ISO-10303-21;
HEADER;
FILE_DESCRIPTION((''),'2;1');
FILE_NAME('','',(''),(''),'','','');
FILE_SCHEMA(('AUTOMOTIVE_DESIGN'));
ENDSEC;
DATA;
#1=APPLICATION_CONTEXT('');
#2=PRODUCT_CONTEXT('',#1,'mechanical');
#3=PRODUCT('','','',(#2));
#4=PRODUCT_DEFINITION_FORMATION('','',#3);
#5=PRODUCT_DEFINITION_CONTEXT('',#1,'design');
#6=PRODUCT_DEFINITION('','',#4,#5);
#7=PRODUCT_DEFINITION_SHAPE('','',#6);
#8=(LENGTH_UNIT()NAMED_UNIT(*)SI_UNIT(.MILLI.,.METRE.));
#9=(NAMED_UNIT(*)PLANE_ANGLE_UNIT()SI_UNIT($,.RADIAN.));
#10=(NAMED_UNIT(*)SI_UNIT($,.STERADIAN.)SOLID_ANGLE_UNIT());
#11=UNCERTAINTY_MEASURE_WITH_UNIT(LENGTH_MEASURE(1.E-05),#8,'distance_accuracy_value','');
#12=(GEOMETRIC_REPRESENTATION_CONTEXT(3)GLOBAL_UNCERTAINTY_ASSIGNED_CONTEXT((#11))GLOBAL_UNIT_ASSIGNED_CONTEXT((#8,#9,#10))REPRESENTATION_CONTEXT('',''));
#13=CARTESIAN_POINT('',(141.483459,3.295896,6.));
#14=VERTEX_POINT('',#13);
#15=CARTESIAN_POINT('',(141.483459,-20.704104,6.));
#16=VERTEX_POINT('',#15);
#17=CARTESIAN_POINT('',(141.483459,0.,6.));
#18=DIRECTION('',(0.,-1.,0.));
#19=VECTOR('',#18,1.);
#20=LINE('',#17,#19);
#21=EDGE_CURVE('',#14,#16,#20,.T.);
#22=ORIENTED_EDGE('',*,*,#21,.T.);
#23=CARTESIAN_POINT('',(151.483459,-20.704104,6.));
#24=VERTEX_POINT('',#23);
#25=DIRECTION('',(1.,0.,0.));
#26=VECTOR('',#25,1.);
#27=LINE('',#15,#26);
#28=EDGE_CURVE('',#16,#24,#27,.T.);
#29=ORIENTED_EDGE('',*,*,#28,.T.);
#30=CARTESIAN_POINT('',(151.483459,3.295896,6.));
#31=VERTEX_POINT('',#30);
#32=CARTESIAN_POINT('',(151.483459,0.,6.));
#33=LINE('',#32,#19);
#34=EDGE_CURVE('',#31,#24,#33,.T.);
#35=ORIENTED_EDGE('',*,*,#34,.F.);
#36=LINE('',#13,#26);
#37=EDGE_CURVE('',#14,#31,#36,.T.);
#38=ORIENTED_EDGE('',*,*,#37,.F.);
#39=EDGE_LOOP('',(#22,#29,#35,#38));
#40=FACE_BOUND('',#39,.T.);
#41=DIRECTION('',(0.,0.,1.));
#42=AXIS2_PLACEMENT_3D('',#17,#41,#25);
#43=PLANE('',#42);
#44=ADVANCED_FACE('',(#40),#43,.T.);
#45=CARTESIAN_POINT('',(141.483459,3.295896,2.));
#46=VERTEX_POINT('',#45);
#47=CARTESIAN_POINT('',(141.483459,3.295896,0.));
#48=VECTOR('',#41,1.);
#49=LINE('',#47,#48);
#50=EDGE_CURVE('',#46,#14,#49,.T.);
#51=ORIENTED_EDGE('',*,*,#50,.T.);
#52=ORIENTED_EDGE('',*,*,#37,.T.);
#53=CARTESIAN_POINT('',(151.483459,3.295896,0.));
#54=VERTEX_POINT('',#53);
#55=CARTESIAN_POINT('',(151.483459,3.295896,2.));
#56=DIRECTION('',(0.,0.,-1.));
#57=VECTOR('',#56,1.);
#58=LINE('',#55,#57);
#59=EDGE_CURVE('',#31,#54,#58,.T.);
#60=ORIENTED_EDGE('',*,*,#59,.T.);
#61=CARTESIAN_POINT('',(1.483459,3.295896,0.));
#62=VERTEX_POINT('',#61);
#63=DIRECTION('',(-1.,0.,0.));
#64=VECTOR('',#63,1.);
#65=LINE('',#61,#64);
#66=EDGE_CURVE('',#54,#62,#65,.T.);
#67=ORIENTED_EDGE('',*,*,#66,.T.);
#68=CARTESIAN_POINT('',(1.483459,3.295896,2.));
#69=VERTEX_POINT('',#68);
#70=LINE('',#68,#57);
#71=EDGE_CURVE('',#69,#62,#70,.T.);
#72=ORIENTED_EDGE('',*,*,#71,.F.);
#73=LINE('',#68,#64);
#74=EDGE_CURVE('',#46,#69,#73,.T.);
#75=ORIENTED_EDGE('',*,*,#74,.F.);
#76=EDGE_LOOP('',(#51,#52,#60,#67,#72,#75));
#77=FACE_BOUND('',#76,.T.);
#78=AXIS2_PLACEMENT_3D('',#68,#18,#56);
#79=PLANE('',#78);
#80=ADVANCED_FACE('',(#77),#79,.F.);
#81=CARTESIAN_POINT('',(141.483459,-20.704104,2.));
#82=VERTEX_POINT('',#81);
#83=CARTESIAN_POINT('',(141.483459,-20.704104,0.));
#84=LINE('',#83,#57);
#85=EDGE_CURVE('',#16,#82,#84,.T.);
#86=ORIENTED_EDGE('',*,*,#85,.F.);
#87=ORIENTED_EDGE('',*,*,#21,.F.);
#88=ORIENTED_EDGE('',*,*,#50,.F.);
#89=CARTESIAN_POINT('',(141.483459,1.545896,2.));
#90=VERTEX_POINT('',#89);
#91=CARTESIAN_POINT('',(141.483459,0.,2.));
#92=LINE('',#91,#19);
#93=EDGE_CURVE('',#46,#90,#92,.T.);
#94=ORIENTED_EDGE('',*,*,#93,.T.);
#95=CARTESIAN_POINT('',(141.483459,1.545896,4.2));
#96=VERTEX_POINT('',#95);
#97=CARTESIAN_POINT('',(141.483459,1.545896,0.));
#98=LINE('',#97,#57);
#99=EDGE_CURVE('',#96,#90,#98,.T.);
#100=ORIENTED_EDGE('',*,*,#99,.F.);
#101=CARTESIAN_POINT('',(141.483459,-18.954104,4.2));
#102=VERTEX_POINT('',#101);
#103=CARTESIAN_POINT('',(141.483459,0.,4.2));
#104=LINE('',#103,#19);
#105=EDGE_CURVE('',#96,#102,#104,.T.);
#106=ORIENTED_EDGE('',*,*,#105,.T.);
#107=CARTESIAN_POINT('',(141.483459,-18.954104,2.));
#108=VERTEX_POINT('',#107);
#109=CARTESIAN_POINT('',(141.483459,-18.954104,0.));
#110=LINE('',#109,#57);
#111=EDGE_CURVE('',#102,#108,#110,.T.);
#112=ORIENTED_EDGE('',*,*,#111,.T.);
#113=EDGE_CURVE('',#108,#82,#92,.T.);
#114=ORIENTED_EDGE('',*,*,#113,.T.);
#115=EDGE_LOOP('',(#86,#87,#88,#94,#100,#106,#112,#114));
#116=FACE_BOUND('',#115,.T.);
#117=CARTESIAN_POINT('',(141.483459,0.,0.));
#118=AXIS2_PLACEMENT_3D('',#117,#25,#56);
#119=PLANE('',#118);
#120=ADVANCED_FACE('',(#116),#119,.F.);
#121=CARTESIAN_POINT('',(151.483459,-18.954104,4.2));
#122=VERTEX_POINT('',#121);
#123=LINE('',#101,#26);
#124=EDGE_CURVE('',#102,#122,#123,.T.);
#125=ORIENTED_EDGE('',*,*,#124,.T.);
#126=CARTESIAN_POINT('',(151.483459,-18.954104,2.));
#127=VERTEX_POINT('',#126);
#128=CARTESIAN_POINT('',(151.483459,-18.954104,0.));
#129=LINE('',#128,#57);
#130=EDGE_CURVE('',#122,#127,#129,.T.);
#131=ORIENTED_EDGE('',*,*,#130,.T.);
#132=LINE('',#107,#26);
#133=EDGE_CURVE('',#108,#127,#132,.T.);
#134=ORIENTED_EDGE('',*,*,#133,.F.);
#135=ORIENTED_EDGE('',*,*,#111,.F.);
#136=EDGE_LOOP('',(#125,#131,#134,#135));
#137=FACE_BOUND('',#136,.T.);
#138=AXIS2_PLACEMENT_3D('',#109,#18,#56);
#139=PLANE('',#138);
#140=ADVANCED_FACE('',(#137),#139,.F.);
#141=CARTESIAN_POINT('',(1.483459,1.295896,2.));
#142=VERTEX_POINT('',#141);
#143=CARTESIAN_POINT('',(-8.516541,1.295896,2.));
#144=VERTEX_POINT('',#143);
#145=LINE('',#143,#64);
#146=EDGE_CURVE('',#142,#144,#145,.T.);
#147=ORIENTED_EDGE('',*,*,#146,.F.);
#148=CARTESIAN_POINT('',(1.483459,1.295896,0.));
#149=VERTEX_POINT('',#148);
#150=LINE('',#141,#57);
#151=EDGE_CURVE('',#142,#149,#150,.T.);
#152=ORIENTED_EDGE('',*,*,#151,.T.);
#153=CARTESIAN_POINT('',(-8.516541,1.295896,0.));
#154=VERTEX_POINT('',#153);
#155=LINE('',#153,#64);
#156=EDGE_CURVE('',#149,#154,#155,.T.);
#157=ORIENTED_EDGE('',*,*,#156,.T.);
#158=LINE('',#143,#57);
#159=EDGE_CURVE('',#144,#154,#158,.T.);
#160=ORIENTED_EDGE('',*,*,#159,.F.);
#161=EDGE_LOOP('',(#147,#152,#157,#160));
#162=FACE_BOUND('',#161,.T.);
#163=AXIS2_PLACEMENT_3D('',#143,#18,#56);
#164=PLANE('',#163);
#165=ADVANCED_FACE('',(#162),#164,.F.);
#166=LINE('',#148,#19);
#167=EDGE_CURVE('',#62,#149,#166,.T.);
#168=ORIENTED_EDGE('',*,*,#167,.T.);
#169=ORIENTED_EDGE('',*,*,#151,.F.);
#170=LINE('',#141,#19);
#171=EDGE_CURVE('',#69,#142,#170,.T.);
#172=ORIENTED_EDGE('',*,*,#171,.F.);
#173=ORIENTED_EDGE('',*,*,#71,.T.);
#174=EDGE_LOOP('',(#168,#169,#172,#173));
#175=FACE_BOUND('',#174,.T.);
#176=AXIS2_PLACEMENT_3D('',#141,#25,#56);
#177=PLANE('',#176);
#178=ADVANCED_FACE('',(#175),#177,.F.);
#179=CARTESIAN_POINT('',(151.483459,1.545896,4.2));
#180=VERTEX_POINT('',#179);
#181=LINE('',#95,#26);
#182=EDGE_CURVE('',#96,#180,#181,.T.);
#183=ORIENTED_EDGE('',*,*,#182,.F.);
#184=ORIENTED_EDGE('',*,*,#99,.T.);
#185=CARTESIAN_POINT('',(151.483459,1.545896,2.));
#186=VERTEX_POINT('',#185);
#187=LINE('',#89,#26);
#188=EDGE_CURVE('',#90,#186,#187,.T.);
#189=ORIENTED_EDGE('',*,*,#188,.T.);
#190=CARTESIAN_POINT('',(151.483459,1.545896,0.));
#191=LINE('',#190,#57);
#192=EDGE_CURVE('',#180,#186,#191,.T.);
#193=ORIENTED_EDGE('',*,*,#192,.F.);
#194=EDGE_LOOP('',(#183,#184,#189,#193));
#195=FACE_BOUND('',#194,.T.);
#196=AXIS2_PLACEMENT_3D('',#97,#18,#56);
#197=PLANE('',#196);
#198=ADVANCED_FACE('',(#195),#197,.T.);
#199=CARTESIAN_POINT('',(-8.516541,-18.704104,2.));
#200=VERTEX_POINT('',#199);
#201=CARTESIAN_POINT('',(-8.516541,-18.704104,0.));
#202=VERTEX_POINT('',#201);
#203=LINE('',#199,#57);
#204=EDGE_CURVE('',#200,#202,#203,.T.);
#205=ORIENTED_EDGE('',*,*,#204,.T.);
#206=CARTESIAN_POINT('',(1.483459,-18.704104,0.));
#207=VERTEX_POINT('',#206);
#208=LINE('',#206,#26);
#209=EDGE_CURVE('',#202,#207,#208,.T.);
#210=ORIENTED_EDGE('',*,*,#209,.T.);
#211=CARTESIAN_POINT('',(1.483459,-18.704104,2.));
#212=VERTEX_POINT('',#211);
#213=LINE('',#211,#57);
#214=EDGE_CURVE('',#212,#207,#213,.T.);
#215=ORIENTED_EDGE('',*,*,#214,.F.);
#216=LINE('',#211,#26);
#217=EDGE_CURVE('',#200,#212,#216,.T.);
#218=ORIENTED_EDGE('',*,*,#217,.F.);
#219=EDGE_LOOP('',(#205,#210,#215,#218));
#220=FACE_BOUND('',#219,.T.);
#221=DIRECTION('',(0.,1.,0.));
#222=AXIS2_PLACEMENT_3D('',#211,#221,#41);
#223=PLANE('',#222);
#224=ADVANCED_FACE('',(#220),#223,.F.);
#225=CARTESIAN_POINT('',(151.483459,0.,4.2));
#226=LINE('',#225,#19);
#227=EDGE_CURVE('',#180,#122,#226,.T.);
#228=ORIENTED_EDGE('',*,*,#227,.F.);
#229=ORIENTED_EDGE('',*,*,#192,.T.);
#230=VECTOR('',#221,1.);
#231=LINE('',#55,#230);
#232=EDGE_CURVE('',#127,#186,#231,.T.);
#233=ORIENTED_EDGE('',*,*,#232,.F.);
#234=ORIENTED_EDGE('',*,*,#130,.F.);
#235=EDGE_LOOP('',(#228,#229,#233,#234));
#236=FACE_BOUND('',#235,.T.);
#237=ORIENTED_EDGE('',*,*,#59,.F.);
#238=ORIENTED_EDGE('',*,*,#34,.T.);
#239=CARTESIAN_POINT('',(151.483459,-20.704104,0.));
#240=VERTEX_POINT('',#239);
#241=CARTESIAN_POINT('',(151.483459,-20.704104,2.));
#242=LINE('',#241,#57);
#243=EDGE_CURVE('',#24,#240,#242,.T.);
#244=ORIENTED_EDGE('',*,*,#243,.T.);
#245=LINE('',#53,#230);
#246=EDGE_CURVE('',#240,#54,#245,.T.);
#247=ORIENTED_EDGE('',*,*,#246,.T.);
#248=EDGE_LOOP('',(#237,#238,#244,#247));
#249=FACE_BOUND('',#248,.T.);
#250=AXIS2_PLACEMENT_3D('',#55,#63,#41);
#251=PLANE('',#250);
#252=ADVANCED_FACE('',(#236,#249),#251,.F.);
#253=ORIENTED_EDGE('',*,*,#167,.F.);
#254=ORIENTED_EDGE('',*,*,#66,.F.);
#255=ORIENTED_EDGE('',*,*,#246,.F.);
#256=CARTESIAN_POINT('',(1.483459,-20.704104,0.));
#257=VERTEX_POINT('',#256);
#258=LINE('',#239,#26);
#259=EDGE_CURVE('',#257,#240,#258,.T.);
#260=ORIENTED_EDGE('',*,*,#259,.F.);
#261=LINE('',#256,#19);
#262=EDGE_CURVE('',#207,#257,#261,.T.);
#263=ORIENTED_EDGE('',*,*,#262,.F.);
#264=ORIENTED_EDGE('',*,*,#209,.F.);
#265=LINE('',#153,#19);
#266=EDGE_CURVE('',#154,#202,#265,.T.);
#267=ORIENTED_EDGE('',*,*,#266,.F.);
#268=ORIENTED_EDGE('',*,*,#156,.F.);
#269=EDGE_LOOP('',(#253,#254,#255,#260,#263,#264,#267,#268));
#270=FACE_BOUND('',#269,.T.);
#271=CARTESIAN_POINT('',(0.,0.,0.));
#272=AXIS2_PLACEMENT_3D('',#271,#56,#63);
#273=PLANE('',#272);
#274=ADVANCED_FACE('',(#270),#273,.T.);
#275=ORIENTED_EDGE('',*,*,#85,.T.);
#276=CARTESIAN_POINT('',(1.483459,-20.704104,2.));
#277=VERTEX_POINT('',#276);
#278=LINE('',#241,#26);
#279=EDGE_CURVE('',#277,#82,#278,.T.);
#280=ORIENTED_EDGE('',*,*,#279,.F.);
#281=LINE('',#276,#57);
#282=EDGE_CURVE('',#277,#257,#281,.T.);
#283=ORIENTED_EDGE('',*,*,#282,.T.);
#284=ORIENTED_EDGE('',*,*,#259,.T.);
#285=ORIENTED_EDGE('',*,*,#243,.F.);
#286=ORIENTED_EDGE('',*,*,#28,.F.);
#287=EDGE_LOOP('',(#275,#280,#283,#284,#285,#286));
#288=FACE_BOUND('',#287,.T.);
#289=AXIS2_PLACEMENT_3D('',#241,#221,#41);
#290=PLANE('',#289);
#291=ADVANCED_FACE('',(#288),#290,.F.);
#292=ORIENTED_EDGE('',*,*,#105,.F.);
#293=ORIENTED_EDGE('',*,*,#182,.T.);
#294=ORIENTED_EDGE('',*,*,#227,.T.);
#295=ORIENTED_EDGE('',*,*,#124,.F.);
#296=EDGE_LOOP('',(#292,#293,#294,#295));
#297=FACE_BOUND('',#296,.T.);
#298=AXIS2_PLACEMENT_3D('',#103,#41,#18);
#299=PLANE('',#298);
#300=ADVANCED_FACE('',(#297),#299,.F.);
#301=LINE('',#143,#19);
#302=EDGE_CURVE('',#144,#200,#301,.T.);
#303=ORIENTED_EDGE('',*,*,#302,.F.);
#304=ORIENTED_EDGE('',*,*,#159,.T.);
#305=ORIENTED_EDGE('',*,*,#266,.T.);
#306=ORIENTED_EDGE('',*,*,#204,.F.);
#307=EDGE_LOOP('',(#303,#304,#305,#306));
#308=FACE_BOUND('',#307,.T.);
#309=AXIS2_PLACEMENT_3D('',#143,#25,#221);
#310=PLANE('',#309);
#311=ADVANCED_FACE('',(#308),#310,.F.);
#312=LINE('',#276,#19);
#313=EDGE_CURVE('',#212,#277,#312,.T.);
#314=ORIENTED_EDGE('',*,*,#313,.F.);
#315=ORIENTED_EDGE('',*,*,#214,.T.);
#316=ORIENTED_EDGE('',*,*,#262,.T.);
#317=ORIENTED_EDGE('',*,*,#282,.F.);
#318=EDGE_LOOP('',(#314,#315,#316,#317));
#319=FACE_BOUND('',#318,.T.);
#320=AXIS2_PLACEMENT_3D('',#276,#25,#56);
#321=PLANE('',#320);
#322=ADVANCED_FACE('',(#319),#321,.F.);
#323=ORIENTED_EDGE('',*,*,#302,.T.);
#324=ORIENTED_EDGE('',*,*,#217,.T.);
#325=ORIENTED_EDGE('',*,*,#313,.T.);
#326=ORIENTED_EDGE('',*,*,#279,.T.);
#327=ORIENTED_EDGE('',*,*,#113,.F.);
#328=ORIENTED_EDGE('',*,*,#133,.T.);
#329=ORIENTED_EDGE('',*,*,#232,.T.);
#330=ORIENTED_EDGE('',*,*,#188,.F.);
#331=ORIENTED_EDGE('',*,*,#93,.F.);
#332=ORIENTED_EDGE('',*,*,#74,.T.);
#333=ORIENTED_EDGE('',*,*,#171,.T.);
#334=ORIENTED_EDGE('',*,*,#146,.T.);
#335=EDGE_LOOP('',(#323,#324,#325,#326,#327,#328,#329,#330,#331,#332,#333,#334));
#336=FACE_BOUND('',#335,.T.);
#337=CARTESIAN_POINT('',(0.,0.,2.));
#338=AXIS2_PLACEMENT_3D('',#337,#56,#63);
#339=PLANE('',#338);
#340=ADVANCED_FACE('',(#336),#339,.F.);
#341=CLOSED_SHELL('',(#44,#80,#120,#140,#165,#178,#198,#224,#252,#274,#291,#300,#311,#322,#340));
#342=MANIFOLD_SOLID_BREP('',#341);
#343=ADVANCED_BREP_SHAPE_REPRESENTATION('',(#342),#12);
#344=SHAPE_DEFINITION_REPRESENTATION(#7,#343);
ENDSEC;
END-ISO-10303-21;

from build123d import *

# Parameters (mm, degrees)
SALIENTE_EXTRUIR1_DEPTH = 2
SALIENTE_EXTRUIR2_DEPTH = 10


with BuildPart() as part:
    # Croquis1 → Saliente-Extruir1 (new body)
    with BuildSketch(Plane.XY):
        Polygon((-8.516541248, 1.295896328), (1.483458752, 1.295896328), (1.483458752, 3.295896328), (151.483458752, 3.295896328), (151.483458752, -20.704103672), (1.483458752, -20.704103672), (1.483458752, -18.704103672), (-8.516541248, -18.704103672), align=None)
    extrude(amount=SALIENTE_EXTRUIR1_DEPTH)

    # Croquis3 → Saliente-Extruir2 (add)
    with BuildSketch(Plane(origin=(151.483458752, 0, 0), x_dir=(0, 0, -1), z_dir=(1, 0, 0))):
        Polygon((-2, 1.545896328), (-2, 3.295896328), (-6, 3.295896328), (-6, -20.704103672), (-2, -20.704103672), (-2, -18.954103672), (-4.2, -18.954103672), (-4.2, 1.545896328), align=None)
    extrude(amount=-SALIENTE_EXTRUIR2_DEPTH)


solid = part.part
